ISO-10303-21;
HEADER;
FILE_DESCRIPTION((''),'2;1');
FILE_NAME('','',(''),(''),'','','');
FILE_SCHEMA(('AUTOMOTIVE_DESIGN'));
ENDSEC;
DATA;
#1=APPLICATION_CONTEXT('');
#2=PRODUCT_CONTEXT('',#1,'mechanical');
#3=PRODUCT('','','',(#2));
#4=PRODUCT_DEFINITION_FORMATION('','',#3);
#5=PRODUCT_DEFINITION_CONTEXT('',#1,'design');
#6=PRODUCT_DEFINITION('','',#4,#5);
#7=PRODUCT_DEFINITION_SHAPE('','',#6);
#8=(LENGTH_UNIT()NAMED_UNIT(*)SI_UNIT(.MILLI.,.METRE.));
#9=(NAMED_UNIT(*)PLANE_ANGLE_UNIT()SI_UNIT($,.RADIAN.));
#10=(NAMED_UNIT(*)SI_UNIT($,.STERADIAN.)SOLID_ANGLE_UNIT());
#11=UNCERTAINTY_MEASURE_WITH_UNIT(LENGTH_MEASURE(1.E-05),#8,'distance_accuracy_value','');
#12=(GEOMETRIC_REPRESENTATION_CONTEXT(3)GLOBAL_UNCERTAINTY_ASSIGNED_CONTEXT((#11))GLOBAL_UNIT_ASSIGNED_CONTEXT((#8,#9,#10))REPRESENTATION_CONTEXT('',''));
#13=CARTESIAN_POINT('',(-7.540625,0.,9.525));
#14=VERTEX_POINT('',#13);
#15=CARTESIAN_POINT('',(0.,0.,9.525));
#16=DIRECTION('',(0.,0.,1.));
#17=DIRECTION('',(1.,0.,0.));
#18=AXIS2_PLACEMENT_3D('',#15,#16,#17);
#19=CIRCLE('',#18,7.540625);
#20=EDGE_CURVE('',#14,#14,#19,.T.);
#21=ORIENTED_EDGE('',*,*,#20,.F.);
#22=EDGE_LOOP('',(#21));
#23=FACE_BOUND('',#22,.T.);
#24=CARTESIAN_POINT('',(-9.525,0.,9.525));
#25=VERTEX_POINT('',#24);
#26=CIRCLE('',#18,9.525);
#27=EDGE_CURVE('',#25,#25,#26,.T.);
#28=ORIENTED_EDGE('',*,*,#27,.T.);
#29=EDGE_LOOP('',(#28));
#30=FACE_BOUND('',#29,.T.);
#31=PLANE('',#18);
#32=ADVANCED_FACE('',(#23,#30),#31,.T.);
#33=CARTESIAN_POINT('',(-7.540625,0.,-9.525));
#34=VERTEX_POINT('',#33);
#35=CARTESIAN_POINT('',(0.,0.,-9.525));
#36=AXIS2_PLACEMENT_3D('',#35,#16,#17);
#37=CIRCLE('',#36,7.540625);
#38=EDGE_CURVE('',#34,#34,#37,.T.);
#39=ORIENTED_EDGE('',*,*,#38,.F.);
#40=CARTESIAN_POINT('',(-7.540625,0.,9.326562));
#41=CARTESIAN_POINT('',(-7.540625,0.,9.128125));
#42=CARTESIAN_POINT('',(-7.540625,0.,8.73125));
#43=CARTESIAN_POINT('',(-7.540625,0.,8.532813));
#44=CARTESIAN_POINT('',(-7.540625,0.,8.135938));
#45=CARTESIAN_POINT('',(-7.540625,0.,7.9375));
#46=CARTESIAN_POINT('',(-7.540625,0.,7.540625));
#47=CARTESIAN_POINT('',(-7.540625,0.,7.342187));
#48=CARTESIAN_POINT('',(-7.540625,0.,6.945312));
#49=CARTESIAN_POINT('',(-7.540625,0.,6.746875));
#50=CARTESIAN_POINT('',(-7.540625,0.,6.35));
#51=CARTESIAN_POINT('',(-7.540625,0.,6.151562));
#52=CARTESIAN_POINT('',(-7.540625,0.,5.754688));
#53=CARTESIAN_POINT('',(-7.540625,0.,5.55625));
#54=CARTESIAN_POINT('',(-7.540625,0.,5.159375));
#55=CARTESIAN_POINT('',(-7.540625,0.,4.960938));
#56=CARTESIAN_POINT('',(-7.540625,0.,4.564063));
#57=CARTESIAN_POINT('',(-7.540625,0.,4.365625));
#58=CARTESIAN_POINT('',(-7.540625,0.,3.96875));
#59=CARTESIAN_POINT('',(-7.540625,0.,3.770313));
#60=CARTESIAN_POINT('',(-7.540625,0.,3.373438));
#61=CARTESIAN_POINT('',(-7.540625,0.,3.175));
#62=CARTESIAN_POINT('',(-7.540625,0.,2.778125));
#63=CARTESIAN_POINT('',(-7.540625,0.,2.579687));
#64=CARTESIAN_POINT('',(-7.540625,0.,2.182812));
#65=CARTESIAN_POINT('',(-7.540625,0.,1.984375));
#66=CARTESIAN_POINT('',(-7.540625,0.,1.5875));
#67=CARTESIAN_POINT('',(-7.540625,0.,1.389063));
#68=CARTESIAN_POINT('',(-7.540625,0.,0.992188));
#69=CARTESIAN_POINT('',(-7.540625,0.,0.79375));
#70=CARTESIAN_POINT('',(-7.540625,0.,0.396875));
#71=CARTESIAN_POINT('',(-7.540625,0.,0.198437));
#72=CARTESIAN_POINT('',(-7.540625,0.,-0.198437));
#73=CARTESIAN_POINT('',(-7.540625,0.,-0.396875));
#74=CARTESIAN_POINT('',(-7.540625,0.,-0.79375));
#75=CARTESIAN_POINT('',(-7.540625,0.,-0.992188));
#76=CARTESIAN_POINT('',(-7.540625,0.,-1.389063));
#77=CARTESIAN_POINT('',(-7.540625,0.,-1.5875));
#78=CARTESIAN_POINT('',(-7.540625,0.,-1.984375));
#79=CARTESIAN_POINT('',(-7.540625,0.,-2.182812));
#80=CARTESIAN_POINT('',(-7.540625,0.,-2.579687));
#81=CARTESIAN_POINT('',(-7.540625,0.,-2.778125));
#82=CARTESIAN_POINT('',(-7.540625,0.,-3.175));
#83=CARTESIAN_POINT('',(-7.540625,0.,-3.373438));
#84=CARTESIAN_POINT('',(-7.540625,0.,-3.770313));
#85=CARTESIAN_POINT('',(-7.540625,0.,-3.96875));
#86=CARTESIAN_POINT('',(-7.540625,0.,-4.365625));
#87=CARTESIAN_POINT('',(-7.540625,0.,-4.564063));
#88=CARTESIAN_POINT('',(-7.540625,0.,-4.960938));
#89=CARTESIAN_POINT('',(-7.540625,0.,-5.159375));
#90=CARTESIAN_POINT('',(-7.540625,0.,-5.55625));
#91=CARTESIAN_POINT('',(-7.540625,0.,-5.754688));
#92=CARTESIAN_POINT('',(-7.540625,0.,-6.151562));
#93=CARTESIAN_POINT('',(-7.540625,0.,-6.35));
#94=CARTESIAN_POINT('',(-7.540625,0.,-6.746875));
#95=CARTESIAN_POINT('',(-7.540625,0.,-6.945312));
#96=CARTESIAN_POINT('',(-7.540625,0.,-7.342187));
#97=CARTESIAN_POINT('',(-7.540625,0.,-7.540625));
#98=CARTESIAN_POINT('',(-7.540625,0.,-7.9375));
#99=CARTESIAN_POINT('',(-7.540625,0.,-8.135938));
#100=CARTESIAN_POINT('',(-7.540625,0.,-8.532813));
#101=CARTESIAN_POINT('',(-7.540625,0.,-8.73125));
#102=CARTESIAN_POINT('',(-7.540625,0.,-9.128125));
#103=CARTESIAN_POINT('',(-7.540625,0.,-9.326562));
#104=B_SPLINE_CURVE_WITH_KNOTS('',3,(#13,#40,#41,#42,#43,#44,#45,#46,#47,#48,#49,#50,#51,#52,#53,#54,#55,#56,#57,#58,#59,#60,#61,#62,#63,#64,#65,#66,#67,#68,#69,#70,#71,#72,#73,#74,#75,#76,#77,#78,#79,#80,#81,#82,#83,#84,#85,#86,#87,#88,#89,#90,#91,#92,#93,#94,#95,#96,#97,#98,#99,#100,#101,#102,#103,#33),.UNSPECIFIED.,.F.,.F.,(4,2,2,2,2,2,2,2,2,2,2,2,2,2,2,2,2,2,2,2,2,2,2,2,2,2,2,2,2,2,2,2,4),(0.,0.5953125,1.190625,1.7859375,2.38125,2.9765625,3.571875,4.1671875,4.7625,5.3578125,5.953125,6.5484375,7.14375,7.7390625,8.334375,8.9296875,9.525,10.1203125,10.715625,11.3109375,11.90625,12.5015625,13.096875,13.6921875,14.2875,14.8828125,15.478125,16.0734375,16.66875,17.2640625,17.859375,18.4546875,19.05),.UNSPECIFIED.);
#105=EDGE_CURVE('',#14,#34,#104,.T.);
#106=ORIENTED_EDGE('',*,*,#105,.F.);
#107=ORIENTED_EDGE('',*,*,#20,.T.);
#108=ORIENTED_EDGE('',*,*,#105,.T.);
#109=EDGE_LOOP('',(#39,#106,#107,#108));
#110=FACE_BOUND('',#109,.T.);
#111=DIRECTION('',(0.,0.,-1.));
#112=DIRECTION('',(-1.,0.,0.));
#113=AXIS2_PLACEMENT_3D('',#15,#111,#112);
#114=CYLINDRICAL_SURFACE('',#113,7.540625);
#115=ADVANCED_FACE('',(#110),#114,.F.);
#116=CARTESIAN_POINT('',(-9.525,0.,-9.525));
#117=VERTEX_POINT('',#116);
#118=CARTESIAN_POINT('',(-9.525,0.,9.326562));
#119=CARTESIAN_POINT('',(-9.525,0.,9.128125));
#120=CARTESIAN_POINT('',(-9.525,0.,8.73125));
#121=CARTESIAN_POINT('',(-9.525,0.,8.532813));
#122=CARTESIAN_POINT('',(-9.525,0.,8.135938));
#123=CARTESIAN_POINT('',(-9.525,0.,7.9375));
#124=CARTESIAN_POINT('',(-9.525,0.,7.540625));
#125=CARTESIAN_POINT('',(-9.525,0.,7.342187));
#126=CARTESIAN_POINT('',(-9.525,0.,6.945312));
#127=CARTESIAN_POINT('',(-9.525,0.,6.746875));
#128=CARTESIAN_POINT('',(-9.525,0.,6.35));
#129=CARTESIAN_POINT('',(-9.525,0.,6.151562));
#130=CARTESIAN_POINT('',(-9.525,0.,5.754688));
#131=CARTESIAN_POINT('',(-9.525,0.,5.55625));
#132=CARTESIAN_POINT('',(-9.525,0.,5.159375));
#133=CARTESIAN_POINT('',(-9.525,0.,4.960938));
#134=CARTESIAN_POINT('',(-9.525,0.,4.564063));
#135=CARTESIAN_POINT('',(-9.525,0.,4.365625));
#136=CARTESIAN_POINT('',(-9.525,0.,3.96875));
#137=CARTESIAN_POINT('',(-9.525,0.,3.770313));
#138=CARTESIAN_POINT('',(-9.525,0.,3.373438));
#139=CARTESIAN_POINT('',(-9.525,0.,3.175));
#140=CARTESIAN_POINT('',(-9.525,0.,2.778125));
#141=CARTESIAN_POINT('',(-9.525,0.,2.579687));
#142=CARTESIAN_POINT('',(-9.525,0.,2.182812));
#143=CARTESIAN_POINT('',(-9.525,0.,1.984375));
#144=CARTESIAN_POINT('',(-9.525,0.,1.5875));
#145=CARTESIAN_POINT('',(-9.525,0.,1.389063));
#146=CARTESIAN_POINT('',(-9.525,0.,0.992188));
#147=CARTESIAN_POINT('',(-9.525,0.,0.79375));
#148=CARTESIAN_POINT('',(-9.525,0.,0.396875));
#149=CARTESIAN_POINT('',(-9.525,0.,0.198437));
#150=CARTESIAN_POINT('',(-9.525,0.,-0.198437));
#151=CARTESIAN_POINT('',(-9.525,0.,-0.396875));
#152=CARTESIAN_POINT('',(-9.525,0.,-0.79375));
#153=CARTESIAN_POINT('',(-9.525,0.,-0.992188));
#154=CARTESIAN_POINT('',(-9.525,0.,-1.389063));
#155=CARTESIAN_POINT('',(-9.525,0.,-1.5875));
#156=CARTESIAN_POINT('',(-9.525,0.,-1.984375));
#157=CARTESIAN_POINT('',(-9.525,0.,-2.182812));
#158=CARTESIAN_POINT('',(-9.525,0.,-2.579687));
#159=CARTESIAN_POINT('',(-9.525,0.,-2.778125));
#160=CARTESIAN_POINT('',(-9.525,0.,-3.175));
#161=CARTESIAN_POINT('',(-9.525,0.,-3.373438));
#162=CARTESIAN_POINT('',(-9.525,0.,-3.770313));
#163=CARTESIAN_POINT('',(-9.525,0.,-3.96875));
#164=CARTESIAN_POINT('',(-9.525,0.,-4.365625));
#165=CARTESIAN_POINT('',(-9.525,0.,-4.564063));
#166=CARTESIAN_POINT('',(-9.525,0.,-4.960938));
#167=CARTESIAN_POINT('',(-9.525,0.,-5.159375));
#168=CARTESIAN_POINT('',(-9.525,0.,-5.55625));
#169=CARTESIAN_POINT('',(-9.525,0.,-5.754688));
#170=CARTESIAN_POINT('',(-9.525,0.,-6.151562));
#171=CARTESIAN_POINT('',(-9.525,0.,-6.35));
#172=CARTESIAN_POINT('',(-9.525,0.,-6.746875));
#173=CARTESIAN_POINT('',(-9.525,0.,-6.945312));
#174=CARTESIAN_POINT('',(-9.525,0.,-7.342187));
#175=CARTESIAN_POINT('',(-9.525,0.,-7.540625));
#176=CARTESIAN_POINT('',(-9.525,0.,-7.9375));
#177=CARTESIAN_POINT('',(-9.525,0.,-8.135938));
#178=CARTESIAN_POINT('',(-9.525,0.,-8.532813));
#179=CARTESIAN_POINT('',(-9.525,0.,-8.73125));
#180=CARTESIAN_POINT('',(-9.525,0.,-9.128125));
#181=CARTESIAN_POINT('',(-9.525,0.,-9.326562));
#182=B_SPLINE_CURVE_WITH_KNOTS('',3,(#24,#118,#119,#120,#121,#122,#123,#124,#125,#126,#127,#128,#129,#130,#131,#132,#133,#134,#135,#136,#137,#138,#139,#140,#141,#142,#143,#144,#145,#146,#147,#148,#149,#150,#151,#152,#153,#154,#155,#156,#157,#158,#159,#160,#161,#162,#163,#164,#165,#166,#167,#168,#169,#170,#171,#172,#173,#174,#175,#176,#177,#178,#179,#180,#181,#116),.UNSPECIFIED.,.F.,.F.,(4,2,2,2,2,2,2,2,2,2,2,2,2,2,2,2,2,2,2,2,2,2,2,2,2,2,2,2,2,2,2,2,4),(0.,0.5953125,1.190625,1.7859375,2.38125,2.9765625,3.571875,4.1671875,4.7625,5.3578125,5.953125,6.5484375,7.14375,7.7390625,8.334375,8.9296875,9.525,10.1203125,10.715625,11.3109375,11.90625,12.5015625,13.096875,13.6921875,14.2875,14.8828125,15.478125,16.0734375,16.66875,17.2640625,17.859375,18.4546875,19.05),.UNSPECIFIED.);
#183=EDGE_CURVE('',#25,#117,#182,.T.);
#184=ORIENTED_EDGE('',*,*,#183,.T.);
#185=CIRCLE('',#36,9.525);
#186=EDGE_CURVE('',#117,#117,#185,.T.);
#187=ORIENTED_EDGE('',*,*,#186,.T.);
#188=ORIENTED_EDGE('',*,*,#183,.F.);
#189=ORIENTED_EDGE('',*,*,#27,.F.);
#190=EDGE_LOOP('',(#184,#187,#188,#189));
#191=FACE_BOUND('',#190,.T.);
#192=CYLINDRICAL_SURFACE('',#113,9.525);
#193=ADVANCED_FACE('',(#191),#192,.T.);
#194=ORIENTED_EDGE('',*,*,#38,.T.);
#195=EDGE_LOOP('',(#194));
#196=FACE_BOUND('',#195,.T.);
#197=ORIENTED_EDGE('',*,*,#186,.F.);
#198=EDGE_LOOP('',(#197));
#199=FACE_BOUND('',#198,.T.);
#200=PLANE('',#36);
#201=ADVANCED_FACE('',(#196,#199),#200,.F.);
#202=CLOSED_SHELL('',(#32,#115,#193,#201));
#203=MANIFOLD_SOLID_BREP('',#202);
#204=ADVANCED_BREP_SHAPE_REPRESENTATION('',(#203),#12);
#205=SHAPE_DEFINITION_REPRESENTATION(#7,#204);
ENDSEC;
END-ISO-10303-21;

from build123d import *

# Parameters (mm, degrees)
SKETCH1_R           = 9.525
SKETCH1_R_2         = 7.540625
BOSS_EXTRUDE1_DEPTH = 9.525


with BuildPart() as part:
    # Sketch1 → Boss-Extrude1 (new, symmetric)
    with BuildSketch(Plane.XY):
        with Locations(Location((0, 0, 0), (0, 0, 180))):
            Circle(SKETCH1_R)
        with Locations(Location((0, 0, 0), (0, 0, 180))):
            Circle(SKETCH1_R_2, mode=Mode.SUBTRACT)
    extrude(amount=BOSS_EXTRUDE1_DEPTH, both=True)


solid = part.part
